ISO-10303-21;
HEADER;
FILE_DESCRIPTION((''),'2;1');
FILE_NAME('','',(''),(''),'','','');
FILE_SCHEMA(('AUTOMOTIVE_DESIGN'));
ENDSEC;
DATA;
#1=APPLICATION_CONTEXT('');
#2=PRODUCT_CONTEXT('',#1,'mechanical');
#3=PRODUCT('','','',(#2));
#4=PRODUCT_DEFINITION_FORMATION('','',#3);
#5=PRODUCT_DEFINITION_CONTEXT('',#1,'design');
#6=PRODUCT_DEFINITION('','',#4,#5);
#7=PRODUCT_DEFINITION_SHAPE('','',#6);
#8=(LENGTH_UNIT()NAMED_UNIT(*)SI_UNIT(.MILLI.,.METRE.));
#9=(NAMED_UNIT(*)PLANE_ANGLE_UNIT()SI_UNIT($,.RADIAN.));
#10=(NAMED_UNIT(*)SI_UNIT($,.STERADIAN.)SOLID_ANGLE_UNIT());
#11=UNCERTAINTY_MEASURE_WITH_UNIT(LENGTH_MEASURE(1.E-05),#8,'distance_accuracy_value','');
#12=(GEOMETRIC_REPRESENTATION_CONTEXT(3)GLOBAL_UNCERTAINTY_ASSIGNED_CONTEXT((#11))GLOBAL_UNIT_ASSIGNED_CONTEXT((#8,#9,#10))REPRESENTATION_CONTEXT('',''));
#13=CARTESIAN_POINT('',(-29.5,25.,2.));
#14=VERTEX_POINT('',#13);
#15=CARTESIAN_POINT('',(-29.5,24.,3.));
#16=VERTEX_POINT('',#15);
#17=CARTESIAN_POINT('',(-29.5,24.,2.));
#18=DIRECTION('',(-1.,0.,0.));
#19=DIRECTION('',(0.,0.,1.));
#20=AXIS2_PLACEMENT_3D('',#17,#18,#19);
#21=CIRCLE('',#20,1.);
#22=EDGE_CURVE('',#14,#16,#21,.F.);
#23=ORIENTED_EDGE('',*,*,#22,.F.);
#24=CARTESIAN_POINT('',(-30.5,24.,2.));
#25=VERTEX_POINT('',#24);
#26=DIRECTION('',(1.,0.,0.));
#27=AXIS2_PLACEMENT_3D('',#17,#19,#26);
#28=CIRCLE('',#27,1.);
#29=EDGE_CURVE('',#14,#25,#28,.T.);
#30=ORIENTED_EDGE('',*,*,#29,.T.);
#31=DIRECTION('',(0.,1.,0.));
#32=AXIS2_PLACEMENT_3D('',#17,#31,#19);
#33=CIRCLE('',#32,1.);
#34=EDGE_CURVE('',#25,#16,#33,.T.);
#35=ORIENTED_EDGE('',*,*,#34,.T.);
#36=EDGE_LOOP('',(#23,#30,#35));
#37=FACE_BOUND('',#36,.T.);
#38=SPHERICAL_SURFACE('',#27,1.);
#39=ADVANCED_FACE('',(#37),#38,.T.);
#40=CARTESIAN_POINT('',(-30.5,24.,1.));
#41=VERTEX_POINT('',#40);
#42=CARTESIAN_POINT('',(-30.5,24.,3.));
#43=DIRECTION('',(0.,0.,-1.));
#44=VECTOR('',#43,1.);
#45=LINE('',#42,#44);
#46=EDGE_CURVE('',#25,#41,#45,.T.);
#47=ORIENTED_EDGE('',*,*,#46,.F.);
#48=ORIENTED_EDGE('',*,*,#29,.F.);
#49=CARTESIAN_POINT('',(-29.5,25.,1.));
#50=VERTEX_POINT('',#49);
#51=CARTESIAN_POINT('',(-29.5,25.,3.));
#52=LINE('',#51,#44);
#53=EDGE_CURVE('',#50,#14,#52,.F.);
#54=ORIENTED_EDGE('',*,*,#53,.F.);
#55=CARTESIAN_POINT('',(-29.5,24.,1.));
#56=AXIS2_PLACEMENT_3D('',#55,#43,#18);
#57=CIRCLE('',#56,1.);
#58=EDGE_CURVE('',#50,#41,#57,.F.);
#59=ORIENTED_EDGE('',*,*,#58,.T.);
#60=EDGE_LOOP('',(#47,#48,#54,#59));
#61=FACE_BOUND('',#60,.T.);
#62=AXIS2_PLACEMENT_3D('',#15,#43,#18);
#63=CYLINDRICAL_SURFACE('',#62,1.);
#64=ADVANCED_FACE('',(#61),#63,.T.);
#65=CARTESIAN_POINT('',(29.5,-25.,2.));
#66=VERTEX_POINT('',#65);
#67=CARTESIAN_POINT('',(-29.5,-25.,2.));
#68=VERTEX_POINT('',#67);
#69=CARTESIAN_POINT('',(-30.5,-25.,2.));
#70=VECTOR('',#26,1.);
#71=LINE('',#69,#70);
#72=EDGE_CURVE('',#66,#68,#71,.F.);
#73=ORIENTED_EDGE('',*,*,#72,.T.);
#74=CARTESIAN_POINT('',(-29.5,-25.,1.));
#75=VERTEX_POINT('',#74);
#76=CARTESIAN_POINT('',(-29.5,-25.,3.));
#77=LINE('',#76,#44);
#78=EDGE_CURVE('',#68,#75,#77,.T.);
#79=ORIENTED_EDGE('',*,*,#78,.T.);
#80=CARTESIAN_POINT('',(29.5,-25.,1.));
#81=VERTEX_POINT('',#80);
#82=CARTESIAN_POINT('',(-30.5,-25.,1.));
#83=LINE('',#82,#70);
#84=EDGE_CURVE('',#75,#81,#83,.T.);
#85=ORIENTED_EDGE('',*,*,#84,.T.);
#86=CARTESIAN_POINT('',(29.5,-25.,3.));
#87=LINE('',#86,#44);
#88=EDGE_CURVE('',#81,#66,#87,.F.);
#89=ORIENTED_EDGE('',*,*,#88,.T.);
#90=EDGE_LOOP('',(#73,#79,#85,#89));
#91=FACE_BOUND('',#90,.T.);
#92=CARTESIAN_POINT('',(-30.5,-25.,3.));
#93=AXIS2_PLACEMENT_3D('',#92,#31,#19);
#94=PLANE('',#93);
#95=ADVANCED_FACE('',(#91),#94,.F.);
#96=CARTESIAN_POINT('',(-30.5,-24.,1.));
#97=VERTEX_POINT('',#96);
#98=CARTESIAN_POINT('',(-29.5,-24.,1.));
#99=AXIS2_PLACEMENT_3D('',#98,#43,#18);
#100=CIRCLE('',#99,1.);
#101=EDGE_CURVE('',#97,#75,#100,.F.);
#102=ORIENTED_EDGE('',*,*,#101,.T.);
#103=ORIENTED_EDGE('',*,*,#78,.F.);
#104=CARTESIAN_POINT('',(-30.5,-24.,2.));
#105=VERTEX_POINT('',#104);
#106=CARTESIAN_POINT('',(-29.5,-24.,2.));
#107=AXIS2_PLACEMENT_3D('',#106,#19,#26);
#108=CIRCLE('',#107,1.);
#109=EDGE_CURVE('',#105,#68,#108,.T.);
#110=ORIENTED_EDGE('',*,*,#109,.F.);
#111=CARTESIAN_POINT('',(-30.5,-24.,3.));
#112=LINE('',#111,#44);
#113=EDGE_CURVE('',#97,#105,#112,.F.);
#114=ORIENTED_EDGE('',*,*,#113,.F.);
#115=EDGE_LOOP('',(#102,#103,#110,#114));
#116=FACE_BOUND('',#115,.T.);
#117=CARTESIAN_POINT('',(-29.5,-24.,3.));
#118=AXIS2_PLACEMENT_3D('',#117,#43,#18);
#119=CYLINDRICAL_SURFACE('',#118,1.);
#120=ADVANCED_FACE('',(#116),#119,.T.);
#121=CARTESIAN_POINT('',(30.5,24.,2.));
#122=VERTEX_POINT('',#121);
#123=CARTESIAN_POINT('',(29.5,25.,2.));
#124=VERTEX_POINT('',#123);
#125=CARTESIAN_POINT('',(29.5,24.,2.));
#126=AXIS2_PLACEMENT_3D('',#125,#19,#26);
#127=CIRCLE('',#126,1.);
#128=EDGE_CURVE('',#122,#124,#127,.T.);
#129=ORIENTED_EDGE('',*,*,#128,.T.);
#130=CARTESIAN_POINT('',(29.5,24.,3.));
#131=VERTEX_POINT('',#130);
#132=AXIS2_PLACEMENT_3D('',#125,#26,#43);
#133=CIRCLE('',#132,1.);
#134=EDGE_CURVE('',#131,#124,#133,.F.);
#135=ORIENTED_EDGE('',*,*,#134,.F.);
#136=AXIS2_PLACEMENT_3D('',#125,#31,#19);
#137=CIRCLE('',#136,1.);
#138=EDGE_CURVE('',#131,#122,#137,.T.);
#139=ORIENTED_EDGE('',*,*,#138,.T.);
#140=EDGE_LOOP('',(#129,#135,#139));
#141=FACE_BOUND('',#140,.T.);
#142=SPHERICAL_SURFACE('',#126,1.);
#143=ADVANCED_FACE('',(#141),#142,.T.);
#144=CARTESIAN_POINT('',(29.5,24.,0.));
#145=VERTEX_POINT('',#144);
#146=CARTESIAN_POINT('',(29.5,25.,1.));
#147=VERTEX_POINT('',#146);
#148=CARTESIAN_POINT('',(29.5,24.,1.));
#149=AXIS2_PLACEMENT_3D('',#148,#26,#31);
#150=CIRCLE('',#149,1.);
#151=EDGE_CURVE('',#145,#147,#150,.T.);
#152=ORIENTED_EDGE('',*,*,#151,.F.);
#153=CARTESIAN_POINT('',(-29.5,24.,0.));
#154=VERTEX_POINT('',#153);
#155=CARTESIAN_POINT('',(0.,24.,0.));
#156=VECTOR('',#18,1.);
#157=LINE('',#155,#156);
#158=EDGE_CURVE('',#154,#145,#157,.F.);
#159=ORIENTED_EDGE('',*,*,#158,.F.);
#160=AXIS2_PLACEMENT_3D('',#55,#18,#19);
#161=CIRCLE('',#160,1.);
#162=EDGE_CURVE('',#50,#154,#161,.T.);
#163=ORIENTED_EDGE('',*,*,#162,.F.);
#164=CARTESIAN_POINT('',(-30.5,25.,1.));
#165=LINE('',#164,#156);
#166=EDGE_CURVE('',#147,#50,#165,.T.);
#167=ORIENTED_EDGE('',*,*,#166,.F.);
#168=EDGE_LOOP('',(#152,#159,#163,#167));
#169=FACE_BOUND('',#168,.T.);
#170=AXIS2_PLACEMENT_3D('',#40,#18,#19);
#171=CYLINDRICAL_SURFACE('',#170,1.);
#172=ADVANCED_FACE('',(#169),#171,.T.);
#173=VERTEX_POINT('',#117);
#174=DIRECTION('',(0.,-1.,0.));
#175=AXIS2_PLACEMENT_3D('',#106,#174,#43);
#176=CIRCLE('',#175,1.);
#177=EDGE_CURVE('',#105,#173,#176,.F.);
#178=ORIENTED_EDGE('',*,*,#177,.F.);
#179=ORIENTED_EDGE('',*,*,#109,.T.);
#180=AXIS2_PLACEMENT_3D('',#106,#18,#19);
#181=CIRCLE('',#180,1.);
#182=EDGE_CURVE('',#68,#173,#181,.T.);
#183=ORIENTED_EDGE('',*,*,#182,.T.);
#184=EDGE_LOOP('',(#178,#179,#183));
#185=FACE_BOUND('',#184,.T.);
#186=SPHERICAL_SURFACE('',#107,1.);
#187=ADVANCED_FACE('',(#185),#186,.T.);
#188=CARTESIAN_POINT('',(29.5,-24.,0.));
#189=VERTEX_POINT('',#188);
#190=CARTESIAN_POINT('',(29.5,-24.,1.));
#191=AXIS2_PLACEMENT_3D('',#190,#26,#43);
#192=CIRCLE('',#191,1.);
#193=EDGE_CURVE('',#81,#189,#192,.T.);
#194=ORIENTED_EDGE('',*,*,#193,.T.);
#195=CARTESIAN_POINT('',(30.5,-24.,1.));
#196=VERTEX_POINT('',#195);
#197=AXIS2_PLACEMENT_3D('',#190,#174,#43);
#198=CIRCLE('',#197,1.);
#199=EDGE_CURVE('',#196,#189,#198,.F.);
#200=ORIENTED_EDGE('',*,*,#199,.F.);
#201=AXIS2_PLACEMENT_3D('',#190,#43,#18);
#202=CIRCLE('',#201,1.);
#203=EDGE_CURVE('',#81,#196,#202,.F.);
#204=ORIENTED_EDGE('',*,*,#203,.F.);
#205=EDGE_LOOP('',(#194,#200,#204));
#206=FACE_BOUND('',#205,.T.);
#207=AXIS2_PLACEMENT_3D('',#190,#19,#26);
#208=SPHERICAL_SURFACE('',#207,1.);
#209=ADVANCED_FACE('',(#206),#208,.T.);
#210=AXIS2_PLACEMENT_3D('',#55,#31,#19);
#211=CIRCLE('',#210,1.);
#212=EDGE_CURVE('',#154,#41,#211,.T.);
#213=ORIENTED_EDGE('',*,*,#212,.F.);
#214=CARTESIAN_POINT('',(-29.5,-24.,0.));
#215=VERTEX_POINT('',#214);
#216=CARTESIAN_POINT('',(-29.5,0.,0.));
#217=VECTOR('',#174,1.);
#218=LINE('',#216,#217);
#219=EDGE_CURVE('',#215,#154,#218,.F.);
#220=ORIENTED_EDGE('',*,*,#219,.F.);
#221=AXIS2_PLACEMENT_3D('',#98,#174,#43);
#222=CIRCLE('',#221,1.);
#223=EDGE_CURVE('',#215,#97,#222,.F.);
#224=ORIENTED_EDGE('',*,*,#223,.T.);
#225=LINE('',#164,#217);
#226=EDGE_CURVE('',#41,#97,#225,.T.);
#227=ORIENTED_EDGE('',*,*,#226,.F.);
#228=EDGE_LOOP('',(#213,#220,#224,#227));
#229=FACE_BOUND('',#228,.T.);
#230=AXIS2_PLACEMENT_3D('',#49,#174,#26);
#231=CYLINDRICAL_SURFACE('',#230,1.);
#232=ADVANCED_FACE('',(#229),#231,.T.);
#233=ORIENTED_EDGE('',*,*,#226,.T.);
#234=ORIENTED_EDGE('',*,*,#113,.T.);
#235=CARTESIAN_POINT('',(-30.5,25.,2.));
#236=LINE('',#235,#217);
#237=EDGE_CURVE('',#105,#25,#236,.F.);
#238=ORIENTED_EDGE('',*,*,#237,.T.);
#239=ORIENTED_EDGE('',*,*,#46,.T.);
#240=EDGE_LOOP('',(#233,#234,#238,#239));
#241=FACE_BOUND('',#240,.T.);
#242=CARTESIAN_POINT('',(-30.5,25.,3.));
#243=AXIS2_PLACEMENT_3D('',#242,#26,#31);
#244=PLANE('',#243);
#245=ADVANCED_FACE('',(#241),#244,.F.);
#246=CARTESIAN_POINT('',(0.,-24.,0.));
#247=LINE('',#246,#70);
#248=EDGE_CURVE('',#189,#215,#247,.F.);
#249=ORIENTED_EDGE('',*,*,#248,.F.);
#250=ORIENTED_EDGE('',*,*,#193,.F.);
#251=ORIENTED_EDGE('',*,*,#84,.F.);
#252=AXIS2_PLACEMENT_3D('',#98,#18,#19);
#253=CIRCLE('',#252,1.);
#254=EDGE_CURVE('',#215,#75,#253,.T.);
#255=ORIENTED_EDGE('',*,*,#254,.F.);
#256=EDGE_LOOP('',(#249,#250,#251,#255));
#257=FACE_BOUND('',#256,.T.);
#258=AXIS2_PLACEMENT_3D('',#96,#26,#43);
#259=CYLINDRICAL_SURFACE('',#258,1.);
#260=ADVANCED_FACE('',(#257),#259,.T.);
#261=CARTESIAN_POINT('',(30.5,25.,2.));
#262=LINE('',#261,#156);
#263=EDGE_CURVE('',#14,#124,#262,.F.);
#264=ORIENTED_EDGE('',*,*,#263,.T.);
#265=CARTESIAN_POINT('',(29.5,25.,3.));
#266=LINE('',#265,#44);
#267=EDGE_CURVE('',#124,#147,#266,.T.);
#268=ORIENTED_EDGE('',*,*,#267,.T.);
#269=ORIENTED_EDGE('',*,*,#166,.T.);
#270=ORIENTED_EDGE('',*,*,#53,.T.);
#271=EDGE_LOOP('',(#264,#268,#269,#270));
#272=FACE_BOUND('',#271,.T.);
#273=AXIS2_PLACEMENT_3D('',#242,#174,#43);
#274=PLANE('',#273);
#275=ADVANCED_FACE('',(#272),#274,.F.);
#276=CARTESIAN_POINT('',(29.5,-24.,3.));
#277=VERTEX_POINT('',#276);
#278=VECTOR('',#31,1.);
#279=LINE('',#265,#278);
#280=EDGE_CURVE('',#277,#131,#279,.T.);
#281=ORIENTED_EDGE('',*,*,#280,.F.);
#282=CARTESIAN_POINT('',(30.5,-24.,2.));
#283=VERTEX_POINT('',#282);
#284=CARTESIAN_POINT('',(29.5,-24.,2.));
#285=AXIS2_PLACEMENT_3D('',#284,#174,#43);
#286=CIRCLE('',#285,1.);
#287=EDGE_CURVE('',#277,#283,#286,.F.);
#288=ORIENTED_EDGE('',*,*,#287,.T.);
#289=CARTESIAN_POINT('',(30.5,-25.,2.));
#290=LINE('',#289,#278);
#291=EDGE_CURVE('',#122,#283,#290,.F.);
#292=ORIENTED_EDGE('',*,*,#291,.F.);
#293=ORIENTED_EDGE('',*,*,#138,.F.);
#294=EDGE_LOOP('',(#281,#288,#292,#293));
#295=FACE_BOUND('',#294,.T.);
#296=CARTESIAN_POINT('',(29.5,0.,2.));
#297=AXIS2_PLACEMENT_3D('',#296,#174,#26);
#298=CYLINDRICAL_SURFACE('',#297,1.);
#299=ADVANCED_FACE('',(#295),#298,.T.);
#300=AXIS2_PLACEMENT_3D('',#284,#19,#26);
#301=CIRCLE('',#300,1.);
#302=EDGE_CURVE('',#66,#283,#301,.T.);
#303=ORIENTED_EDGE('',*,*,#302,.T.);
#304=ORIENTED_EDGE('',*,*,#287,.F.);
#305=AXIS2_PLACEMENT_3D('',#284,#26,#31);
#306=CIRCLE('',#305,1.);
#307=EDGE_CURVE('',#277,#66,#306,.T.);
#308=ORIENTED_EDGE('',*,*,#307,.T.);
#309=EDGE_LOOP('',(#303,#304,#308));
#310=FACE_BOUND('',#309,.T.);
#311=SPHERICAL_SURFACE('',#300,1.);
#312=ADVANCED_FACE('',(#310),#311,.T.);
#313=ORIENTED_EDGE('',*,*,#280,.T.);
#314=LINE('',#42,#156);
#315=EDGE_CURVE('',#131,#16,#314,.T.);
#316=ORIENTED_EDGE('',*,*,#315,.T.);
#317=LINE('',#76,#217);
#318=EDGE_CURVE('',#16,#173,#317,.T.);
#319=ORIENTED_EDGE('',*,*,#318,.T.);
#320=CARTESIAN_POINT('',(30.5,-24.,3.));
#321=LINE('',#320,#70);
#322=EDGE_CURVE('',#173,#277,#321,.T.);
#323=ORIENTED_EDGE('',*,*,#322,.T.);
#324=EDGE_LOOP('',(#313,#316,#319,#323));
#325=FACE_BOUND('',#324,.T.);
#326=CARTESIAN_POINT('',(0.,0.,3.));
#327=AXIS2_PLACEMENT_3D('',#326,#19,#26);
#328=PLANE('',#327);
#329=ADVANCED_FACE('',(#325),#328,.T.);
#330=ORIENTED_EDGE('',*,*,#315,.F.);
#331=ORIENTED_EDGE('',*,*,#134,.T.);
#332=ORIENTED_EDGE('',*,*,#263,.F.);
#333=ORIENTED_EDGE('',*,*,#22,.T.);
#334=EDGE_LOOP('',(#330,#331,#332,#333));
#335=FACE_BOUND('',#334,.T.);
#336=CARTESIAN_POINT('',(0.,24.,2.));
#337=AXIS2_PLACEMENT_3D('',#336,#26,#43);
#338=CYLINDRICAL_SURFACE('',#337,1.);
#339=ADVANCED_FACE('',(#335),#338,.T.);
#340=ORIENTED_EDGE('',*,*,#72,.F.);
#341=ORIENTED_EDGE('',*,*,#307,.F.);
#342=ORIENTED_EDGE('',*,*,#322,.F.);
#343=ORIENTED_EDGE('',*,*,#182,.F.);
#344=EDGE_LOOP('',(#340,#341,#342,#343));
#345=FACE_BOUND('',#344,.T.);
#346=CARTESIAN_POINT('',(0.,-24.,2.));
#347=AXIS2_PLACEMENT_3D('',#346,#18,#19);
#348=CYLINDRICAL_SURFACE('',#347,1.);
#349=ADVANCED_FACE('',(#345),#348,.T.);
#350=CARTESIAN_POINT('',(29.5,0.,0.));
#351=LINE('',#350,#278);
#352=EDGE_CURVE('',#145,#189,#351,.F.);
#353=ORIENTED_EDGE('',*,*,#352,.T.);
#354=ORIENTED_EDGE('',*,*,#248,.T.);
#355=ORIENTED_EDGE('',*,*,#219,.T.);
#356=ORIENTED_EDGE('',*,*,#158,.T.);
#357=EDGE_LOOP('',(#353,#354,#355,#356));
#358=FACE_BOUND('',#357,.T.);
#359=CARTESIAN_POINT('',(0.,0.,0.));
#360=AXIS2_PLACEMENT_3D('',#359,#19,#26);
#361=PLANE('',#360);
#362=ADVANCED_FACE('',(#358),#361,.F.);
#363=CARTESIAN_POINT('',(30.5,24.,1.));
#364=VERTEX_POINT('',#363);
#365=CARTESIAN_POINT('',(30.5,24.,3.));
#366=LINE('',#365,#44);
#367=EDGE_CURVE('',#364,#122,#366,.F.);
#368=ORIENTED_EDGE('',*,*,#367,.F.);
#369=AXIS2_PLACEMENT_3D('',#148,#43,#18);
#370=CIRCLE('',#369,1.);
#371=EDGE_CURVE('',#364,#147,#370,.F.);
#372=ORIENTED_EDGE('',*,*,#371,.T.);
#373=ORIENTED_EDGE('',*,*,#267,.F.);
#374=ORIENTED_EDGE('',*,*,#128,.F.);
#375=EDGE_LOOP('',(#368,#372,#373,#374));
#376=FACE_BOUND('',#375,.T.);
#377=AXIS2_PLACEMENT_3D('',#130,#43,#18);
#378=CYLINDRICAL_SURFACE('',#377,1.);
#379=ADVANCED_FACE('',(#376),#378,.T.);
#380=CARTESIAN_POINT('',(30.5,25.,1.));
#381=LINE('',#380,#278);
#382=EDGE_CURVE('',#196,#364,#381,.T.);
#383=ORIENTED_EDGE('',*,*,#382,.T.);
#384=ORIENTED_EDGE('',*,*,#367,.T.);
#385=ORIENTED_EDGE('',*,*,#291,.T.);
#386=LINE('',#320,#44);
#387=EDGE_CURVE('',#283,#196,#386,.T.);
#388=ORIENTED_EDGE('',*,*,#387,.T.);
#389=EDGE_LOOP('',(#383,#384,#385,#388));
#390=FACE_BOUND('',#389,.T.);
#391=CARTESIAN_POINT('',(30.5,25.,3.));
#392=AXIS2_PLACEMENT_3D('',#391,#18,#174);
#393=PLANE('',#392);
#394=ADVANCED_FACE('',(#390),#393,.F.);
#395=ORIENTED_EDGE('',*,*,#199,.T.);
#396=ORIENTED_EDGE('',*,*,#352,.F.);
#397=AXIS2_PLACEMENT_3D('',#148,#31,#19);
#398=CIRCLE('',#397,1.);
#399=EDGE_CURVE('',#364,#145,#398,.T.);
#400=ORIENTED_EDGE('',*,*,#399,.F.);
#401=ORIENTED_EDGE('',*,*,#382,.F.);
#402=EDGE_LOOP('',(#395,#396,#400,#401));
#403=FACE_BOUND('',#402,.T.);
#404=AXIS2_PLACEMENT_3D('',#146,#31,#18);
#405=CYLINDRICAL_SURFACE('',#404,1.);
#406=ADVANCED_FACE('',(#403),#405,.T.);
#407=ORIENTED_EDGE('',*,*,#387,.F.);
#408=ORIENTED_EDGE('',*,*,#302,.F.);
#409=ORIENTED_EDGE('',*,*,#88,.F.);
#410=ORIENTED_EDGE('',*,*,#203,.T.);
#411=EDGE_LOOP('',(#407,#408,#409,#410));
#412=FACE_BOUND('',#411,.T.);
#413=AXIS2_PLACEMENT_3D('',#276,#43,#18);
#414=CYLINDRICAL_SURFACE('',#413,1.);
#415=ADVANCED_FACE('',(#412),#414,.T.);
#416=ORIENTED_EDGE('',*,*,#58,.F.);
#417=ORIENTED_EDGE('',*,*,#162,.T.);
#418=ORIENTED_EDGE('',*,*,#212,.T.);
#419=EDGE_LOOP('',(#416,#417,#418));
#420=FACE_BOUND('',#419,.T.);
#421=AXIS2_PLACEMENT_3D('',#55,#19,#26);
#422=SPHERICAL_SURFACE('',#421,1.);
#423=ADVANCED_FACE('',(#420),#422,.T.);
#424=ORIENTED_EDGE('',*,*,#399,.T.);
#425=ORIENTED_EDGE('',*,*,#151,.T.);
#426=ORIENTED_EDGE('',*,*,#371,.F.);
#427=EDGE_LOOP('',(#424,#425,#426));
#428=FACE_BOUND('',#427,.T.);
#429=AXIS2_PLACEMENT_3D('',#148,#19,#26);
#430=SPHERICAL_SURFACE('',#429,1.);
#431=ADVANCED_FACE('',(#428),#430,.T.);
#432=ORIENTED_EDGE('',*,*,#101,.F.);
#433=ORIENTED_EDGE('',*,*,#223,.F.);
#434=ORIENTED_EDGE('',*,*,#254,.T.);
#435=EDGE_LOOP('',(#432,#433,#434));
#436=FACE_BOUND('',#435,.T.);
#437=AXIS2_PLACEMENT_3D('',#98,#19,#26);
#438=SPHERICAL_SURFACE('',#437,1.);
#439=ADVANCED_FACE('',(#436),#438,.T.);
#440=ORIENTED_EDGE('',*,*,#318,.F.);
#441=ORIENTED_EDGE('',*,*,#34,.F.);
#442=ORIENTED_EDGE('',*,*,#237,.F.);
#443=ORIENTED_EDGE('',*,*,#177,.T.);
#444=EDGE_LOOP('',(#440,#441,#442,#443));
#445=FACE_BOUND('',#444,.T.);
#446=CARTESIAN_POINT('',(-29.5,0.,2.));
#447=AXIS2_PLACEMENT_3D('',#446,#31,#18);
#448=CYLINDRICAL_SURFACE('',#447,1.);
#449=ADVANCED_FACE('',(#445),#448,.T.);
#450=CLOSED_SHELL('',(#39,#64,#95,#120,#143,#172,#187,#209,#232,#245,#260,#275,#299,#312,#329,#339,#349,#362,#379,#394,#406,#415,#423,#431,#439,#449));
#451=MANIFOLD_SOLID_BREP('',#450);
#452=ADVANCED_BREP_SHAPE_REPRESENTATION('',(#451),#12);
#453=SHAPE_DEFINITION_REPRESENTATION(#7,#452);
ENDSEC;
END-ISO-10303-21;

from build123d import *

# Parameters (mm, degrees)
SKETCH_1_W      = 61
SKETCH_1_H      = 50
EXTRUDE_1_DEPTH = 3
FILLET_1_R      = 1


with BuildPart() as part:
    # 草图1 → 凸台-拉伸1 (new body)
    with BuildSketch(Plane.XY):
        Rectangle(SKETCH_1_W, SKETCH_1_H)
    extrude(amount=EXTRUDE_1_DEPTH)

    # 圆角1
    fillet_1_edges = [part.edges().sort_by_distance(p)[0] for p in [
        (-30.5, 0, 3),
        (0, -25, 3),
        (30.5, 0, 3),
        (0, -25, 0),
        (-30.5, 0, 0),
        (0, 25, 0),
        (30.5, 0, 0),
        (30.5, -25, 1.5),
        (-30.5, -25, 1.5),
        (-30.5, 25, 1.5),
        (30.5, 25, 1.5),
        (0, 25, 3),
    ]]
    fillet(fillet_1_edges, radius=FILLET_1_R)


solid = part.part
